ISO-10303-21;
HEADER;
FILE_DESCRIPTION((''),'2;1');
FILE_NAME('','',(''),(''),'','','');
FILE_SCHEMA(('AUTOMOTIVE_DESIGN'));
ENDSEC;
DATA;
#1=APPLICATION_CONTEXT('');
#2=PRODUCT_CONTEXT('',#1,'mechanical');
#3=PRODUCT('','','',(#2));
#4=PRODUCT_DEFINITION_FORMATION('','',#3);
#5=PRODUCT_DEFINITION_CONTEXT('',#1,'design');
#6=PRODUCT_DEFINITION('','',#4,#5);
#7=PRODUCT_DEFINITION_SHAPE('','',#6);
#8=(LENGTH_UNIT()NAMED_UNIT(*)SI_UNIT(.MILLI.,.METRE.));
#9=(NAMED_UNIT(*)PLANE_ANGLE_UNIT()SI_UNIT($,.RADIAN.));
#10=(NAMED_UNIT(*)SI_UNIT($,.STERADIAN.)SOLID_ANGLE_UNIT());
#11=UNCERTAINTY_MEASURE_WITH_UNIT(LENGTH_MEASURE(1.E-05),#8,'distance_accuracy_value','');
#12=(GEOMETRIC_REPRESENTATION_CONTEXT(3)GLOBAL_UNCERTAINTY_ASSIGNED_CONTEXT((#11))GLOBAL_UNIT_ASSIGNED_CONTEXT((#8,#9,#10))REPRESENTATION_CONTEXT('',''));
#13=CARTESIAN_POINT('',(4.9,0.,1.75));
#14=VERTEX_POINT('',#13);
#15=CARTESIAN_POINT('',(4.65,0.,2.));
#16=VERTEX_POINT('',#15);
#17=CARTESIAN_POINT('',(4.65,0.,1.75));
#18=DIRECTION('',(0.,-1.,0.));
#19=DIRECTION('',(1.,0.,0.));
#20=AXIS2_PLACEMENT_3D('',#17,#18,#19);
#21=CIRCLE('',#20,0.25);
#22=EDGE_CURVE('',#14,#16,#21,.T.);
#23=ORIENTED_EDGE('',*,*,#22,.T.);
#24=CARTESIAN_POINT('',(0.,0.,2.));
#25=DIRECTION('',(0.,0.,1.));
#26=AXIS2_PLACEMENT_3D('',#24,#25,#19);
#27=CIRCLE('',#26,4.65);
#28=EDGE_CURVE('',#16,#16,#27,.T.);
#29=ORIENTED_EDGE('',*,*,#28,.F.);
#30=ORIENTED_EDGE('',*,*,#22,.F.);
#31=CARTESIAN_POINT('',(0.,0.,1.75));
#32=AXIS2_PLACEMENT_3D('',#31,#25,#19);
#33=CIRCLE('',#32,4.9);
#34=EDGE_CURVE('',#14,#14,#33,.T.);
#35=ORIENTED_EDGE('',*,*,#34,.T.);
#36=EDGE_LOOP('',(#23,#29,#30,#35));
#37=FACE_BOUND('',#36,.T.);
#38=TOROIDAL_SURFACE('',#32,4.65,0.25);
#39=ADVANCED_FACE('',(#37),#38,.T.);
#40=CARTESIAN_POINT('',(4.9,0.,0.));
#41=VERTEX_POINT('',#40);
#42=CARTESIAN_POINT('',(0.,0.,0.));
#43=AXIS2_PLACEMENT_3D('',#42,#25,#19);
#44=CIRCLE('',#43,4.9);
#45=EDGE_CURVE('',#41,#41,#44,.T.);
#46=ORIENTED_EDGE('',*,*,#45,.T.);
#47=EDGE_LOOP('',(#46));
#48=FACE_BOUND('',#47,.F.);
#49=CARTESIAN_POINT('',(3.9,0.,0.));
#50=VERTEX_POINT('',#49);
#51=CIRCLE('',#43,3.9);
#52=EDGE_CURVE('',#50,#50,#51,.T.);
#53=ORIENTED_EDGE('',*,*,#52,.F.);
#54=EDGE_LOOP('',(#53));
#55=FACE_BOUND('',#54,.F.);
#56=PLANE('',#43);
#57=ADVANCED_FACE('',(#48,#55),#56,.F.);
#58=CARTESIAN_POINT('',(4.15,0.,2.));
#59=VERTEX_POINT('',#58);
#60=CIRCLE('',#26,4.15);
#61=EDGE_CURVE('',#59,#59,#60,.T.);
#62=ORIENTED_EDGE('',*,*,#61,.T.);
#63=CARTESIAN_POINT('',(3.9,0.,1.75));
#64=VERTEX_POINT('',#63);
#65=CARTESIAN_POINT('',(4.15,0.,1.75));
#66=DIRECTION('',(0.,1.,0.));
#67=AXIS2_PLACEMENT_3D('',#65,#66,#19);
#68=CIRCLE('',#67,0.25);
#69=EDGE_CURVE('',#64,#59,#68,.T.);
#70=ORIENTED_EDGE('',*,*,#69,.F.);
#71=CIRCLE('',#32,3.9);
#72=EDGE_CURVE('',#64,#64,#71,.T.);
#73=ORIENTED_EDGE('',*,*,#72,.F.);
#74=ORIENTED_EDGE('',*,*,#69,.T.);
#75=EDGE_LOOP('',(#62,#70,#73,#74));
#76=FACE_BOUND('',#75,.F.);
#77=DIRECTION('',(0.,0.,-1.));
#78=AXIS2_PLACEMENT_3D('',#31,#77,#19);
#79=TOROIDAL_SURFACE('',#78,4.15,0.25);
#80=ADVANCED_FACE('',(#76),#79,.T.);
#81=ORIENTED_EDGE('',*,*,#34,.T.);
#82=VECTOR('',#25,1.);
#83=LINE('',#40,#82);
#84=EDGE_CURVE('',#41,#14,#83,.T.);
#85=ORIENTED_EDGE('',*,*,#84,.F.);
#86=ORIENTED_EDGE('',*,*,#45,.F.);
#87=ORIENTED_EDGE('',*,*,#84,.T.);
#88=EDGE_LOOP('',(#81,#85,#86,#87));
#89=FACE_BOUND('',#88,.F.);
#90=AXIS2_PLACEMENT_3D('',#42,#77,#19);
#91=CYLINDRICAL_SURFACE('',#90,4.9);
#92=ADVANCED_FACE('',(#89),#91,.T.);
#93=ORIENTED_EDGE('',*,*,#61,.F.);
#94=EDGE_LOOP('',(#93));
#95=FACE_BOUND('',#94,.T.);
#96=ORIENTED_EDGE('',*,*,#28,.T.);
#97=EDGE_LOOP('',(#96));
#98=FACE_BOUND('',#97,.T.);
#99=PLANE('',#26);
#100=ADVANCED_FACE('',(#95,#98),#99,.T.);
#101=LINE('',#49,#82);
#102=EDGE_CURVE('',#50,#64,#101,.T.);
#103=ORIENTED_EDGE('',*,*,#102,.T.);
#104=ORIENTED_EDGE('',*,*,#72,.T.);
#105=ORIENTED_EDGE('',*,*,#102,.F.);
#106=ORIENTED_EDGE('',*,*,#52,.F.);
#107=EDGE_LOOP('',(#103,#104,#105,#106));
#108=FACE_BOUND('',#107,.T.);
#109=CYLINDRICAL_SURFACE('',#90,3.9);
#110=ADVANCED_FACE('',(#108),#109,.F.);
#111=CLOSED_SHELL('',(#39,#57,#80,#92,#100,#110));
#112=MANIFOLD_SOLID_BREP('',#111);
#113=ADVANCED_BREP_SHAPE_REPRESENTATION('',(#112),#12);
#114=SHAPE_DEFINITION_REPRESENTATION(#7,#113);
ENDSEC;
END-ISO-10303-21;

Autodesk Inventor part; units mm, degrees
ref_plane "YZ Plane" through (0, 0, 0) normal (1, 0, 0) x (0, 1, 0)
ref_plane "XZ Plane" through (0, 0, 0) normal (0, 1, 0) x (-1, 0, 0)
ref_plane "XY Plane" through (0, 0, 0) normal (0, 0, 1) x (1, 0, 0)
sketch "Sketch1" plane through (0, 0, 0) normal (0, 0, 1) x (1, 0, 0)
  circle A0 centre (0, 0) radius 3.9
  circle A1 centre (0, 0) radius 4.9
  dimension "d0" = 7.8
  dimension "d1" = 1
extrude "Extrusion1" add sketch "Sketch1" along normal blind 2
fillet "Fillet1" radius 0.25 2 edges at (-3.9, 0, 2) (-4.9, 0, 2)
equation "\"d0\" = IG_shaftDiameter + W_holesClearance"
equation "\"d1\" = BR_bearingThickness"
equation "\"d2\" = W_wallThickness"
equation "\"Wheel_Related_W_\" = 0"
equation "\"W_innerDepth\" = 4"
equation "\"W_wallThickness\" = 2"
equation "\"W_holesClearance\" = 0.3"
equation "\"W_outerGearHoleDiameter\" = 5.3"
equation "\"W_innerGearHoleDiameter\" = 10.1"
equation "\"TempSpotReserved7\" = 0"
equation "\"TempSpotReserved8\" = 0"
equation "\"TempSpotReserved9\" = 0"
equation "\"TempSpotReserved10\" = 0"
equation "\"Inner_Gear_Related_IG_\" = 0"
equation "\"IG_shaftDiameter\" = 7.5"
equation "\"IG_shaftLength\" = 15"
equation "\"IG_gearThickness\" = 2"
equation "\"IG_ratioToOuterGear\" = 0.75"
equation "\"TempSpotReserved16\" = 0"
equation "\"TempSpotReserved17\" = 0"
equation "\"TempSpotReserved18\" = 0"
equation "\"TempSpotReserved19\" = 0"
equation "\"TempSpotReserved20\" = 0"
equation "\"Outer_Gear_Related_OG_\" = 0"
equation "\"OG_distanceFromCenter\" = 23.33333"
equation "\"OG_shaftDiameter\" = 5"
equation "\"OG_gearDiameter\" = 26.66667"
equation "\"OG_shaftLength\" = 7"
equation "\"OG_gearThickness\" = 2"
equation "\"TempSpotReserved27\" = 0"
equation "\"TempSpotReserved28\" = 0"
equation "\"TempSpotReserved29\" = 0"
equation "\"TempSpotReserved30\" = 0"
equation "\"Leg_Extensions_Related_LE_\" = 0"
equation "\"LE_baseDiameter\" = 5"
equation "\"LE_maxLength\" = 24.6522"
equation "\"LE_thickness\" = 2.5"
equation "\"TempSpotReserved47\" = 0"
equation "\"B_bearingThickness\" = 1"
equation "\"TempSpotReserved50\" = 0"
equation "\"TempSpotReserved43\" = 0"
equation "\"TempSpotReserved45\" = 0"
equation "\"Thisisatest\" = 25.4"
equation "\"TempSpotReserved48\" = 0"
equation "\"TempSpotReserved46\" = 0"
equation "\"TempSpotReserved44\" = 0"
equation "\"TempSpotReserved49\" = 0"
equation "\"TempSpotReserved35\" = 0"
equation "\"TempSpotReserved39\" = 0"
equation "\"TempSpotReserved38\" = 0"
equation "\"TempSpotReserved37\" = 0"
equation "\"LE_offsetAboveOuterGear\" = 0"
equation "\"TempSpotReserved36\" = 0"
equation "\"TempSpotReserved40\" = 0"
equation "\"Bearing_Related_B_\" = 0"
equation "\"TempSpotReserved42\" = 0"
equation "\"OG_skirtOffset\" = 1"
equation "\"OG_skirtThickness\" = 1"
equation "\"IG_skirtThickness\" = 2"
equation "\"IG_extentionLength\" = 18.33333"
equation "\"IG_extentionThickness\" = 3"
equation "\"IG_slitWidth\" = 4"
equation "\"IG_slitlength\" = 8"
equation "\"IG_slitDistanceFromCenterHole\" = 8"
equation "\"IG_slitClearance\" = 0.2"
equation "\"Reserved_10\" = 0"
equation "\"Reserved_9\" = 0"
equation "\"Reserved_11\" = 0"
equation "\"Reserved_12\" = 0"
equation "\"Reserved_8\" = 0"
equation "\"Reserved_7\" = 0"
equation "\"Reserved_26\" = 0"
equation "\"Reserved_20\" = 0"
equation "\"Reserved_22\" = 0"
equation "\"Reserved_23\" = 0"
equation "\"Reserved_25\" = 0"
equation "\"Reserved_24\" = 0"
equation "\"Reserved_21\" = 0"
equation "\"Reserved_19\" = 0"
equation "\"Reserved_27\" = 0"
equation "\"Reserved_14\" = 0"
equation "\"Reserved_15\" = 0"
equation "\"Reserved_16\" = 0"
equation "\"Reserved_13\" = 0"
equation "\"Reserved_17\" = 0"
equation "\"Reserved_18\" = 0"
equation "\"Bearing_Related_BR_\" = 0"
equation "\"BR_bearingThickness\" = 1"
equation "\"Block_Related_BL_\" = 0"
equation "\"BL_width\" = 3.8"
equation "\"BL_length\" = 7.8"
equation "\"W_filletRadius\" = 0.25"
equation "\"W_extrutsionTaperAngle\" = 2deg"
equation "\"OG_protrudeDistance\" = 3"
properties part number "bearing1"
